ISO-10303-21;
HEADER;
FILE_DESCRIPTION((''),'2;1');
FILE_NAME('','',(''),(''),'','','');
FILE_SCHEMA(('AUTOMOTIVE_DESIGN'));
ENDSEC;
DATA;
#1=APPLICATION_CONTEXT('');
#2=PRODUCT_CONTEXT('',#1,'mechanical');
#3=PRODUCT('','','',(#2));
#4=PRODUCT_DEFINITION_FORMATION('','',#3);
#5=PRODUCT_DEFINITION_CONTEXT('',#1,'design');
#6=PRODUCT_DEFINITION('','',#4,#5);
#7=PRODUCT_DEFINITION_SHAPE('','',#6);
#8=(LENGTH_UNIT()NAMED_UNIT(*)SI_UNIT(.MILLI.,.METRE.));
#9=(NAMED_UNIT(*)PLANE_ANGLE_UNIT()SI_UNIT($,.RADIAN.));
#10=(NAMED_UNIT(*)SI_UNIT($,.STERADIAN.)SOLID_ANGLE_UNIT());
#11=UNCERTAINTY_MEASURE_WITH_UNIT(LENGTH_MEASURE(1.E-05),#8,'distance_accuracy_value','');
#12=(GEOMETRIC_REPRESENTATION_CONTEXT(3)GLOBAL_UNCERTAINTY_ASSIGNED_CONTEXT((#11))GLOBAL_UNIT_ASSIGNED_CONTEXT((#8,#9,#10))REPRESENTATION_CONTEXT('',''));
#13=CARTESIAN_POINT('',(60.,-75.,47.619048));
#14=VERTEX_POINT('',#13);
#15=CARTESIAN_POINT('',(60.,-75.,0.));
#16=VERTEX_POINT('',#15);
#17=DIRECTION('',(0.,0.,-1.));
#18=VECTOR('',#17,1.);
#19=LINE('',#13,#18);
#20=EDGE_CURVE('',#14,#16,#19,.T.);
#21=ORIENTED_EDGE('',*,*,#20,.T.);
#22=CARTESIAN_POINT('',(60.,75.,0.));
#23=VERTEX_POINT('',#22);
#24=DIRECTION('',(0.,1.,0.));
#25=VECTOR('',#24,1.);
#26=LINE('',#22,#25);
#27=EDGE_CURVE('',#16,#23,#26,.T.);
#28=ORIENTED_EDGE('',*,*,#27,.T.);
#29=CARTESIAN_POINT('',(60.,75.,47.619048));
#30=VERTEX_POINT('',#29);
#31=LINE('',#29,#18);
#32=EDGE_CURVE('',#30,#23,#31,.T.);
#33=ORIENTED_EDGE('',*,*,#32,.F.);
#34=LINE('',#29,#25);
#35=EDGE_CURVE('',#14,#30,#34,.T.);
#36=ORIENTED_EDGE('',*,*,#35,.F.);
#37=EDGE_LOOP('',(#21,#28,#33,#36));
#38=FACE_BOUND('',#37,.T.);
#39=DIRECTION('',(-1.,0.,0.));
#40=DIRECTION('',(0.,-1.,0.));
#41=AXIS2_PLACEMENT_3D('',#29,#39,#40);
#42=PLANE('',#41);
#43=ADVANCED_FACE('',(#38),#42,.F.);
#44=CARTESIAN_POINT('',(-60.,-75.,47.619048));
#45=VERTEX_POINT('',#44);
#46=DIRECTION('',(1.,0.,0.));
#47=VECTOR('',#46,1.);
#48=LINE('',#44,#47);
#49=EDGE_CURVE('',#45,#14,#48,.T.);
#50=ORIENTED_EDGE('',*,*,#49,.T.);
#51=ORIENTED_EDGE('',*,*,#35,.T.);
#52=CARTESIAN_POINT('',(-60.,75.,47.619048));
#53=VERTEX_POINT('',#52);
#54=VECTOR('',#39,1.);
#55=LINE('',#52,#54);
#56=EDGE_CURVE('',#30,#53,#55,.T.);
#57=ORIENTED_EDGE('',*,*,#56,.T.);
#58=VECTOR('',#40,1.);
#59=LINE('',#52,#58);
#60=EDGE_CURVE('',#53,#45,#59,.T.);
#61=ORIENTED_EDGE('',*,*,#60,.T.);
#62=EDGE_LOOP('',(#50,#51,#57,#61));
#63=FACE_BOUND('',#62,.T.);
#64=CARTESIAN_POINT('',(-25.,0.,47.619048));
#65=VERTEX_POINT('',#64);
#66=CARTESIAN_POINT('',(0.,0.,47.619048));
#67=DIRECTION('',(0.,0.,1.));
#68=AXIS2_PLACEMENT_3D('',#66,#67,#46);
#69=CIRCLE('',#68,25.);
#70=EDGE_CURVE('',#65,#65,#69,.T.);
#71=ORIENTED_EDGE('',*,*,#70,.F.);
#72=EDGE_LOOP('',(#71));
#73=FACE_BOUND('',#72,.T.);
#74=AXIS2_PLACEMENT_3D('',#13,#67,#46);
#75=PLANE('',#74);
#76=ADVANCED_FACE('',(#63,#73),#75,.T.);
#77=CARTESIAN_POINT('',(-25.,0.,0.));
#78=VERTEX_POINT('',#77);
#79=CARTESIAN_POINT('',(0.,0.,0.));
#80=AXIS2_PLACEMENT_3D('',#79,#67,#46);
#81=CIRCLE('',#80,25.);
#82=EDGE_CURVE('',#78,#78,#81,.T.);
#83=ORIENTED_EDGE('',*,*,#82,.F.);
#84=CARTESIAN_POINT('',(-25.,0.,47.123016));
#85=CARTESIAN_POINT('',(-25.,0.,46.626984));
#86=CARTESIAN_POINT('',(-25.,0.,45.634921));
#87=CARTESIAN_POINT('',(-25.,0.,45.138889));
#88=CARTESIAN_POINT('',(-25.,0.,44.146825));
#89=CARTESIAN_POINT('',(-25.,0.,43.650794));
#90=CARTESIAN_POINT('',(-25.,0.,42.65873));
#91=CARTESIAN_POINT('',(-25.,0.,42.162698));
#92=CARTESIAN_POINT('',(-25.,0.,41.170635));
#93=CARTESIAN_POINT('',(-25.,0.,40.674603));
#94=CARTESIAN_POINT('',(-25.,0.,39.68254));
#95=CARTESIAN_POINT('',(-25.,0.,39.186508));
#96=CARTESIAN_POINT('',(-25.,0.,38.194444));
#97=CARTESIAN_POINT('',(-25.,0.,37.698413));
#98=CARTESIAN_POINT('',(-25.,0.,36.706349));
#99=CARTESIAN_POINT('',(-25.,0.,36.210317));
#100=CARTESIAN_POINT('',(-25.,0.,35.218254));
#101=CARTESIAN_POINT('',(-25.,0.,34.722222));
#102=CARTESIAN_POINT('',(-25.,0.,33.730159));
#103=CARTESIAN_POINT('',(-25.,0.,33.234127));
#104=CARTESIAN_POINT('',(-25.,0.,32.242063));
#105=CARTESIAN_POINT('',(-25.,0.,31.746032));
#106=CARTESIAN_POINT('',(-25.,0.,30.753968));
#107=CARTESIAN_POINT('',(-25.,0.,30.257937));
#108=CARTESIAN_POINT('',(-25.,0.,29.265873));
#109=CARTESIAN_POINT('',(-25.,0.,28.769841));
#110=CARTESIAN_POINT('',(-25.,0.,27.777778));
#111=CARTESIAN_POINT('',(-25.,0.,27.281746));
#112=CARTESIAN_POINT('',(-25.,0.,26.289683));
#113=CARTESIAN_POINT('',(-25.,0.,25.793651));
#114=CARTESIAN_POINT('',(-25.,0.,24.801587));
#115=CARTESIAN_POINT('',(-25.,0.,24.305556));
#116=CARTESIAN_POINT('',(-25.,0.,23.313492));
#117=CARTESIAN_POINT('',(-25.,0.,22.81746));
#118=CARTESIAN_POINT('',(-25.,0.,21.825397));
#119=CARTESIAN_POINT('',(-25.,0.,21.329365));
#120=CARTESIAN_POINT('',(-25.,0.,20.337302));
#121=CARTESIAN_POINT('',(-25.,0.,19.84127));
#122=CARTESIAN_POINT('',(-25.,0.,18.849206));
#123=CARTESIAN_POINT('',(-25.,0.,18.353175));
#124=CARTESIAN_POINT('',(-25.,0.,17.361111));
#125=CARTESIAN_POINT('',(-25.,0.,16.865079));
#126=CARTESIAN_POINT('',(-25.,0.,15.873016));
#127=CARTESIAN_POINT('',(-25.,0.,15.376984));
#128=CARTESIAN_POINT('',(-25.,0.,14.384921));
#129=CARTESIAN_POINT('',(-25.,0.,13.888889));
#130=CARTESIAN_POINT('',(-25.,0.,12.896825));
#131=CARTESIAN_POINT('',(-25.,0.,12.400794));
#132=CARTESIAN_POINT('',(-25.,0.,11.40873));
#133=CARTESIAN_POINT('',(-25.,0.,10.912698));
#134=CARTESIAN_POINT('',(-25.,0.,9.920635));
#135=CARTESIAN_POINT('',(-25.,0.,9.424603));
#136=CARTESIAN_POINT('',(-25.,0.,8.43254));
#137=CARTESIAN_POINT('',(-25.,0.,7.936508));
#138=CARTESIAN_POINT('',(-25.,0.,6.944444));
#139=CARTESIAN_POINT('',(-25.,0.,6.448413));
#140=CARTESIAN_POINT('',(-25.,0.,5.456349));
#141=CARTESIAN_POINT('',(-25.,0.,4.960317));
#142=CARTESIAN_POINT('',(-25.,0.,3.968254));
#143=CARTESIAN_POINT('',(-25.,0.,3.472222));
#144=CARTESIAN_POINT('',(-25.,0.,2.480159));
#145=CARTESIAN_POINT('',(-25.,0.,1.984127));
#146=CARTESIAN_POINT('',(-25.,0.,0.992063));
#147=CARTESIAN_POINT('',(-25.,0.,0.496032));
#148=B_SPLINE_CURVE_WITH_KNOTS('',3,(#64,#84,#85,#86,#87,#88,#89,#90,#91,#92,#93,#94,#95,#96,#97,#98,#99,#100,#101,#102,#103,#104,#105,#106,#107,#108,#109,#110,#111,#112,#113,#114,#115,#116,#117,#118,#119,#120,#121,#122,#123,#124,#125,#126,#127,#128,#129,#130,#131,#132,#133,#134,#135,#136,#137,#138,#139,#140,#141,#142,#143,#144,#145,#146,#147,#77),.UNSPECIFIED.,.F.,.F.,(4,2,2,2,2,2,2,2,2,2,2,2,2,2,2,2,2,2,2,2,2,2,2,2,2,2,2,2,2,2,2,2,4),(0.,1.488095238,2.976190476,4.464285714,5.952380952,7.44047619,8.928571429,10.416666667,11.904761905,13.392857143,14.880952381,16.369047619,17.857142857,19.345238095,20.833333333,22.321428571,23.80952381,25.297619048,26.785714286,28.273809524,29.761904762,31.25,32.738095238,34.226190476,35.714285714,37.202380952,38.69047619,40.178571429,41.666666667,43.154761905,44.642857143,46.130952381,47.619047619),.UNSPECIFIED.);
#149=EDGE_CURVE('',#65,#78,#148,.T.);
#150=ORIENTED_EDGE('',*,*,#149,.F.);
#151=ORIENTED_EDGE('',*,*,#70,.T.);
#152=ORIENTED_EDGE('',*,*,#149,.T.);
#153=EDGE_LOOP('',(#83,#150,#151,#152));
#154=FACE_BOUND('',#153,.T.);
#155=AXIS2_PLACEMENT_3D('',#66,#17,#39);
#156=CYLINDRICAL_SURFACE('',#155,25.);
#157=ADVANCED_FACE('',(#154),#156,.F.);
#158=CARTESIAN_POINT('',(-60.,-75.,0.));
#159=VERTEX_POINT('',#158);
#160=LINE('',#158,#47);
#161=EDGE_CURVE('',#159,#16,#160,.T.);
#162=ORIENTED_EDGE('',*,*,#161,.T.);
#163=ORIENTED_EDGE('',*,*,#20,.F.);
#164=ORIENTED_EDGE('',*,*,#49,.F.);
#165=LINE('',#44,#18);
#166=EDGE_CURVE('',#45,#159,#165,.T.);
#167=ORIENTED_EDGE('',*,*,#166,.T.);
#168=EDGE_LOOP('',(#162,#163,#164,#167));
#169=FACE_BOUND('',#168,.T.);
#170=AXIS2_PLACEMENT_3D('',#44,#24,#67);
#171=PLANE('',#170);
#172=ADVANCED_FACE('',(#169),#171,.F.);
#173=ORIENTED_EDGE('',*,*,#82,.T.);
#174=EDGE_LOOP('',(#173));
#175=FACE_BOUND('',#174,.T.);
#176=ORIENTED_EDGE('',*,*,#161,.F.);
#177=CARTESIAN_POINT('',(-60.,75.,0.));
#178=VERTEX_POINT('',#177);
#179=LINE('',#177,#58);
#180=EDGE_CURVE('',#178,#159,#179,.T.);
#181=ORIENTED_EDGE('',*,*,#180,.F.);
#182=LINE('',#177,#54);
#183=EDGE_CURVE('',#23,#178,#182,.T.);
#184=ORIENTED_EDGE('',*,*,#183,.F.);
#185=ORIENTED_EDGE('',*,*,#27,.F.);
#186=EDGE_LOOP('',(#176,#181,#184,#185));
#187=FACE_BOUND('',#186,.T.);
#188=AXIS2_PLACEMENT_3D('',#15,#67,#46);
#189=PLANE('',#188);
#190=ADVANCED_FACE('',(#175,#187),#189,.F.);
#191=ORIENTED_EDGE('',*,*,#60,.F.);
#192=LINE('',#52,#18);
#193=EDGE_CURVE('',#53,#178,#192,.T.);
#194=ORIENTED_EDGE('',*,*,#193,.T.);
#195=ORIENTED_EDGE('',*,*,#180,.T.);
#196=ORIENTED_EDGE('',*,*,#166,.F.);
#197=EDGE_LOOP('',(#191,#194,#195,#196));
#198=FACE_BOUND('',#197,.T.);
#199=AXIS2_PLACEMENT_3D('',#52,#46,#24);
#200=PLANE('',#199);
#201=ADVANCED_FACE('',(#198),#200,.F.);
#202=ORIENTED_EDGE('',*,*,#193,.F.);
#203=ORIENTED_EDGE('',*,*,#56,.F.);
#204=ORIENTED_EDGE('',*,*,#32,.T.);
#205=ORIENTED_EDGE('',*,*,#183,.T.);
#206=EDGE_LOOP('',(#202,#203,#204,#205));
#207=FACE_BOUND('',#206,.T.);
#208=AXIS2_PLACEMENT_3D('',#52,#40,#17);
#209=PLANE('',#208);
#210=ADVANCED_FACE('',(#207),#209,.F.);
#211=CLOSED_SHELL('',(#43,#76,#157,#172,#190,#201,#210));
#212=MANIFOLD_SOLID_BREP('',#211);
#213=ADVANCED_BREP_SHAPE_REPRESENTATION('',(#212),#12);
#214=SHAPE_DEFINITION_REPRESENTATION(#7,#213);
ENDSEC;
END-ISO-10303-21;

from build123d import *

# Parameters (mm, degrees)
SKETCH_1_W      = 120
SKETCH_1_H      = 150
SKETCH_1_R      = 25
EXTRUDE_1_DEPTH = 47.619047619


with BuildPart() as part:
    # 草图1 → 拉伸1 (new body)
    with BuildSketch(Plane.XY):
        Rectangle(SKETCH_1_W, SKETCH_1_H)
        with Locations(Location((0, 0, 0), (0, 0, 180))):
            Circle(SKETCH_1_R, mode=Mode.SUBTRACT)
    extrude(amount=EXTRUDE_1_DEPTH)


solid = part.part
